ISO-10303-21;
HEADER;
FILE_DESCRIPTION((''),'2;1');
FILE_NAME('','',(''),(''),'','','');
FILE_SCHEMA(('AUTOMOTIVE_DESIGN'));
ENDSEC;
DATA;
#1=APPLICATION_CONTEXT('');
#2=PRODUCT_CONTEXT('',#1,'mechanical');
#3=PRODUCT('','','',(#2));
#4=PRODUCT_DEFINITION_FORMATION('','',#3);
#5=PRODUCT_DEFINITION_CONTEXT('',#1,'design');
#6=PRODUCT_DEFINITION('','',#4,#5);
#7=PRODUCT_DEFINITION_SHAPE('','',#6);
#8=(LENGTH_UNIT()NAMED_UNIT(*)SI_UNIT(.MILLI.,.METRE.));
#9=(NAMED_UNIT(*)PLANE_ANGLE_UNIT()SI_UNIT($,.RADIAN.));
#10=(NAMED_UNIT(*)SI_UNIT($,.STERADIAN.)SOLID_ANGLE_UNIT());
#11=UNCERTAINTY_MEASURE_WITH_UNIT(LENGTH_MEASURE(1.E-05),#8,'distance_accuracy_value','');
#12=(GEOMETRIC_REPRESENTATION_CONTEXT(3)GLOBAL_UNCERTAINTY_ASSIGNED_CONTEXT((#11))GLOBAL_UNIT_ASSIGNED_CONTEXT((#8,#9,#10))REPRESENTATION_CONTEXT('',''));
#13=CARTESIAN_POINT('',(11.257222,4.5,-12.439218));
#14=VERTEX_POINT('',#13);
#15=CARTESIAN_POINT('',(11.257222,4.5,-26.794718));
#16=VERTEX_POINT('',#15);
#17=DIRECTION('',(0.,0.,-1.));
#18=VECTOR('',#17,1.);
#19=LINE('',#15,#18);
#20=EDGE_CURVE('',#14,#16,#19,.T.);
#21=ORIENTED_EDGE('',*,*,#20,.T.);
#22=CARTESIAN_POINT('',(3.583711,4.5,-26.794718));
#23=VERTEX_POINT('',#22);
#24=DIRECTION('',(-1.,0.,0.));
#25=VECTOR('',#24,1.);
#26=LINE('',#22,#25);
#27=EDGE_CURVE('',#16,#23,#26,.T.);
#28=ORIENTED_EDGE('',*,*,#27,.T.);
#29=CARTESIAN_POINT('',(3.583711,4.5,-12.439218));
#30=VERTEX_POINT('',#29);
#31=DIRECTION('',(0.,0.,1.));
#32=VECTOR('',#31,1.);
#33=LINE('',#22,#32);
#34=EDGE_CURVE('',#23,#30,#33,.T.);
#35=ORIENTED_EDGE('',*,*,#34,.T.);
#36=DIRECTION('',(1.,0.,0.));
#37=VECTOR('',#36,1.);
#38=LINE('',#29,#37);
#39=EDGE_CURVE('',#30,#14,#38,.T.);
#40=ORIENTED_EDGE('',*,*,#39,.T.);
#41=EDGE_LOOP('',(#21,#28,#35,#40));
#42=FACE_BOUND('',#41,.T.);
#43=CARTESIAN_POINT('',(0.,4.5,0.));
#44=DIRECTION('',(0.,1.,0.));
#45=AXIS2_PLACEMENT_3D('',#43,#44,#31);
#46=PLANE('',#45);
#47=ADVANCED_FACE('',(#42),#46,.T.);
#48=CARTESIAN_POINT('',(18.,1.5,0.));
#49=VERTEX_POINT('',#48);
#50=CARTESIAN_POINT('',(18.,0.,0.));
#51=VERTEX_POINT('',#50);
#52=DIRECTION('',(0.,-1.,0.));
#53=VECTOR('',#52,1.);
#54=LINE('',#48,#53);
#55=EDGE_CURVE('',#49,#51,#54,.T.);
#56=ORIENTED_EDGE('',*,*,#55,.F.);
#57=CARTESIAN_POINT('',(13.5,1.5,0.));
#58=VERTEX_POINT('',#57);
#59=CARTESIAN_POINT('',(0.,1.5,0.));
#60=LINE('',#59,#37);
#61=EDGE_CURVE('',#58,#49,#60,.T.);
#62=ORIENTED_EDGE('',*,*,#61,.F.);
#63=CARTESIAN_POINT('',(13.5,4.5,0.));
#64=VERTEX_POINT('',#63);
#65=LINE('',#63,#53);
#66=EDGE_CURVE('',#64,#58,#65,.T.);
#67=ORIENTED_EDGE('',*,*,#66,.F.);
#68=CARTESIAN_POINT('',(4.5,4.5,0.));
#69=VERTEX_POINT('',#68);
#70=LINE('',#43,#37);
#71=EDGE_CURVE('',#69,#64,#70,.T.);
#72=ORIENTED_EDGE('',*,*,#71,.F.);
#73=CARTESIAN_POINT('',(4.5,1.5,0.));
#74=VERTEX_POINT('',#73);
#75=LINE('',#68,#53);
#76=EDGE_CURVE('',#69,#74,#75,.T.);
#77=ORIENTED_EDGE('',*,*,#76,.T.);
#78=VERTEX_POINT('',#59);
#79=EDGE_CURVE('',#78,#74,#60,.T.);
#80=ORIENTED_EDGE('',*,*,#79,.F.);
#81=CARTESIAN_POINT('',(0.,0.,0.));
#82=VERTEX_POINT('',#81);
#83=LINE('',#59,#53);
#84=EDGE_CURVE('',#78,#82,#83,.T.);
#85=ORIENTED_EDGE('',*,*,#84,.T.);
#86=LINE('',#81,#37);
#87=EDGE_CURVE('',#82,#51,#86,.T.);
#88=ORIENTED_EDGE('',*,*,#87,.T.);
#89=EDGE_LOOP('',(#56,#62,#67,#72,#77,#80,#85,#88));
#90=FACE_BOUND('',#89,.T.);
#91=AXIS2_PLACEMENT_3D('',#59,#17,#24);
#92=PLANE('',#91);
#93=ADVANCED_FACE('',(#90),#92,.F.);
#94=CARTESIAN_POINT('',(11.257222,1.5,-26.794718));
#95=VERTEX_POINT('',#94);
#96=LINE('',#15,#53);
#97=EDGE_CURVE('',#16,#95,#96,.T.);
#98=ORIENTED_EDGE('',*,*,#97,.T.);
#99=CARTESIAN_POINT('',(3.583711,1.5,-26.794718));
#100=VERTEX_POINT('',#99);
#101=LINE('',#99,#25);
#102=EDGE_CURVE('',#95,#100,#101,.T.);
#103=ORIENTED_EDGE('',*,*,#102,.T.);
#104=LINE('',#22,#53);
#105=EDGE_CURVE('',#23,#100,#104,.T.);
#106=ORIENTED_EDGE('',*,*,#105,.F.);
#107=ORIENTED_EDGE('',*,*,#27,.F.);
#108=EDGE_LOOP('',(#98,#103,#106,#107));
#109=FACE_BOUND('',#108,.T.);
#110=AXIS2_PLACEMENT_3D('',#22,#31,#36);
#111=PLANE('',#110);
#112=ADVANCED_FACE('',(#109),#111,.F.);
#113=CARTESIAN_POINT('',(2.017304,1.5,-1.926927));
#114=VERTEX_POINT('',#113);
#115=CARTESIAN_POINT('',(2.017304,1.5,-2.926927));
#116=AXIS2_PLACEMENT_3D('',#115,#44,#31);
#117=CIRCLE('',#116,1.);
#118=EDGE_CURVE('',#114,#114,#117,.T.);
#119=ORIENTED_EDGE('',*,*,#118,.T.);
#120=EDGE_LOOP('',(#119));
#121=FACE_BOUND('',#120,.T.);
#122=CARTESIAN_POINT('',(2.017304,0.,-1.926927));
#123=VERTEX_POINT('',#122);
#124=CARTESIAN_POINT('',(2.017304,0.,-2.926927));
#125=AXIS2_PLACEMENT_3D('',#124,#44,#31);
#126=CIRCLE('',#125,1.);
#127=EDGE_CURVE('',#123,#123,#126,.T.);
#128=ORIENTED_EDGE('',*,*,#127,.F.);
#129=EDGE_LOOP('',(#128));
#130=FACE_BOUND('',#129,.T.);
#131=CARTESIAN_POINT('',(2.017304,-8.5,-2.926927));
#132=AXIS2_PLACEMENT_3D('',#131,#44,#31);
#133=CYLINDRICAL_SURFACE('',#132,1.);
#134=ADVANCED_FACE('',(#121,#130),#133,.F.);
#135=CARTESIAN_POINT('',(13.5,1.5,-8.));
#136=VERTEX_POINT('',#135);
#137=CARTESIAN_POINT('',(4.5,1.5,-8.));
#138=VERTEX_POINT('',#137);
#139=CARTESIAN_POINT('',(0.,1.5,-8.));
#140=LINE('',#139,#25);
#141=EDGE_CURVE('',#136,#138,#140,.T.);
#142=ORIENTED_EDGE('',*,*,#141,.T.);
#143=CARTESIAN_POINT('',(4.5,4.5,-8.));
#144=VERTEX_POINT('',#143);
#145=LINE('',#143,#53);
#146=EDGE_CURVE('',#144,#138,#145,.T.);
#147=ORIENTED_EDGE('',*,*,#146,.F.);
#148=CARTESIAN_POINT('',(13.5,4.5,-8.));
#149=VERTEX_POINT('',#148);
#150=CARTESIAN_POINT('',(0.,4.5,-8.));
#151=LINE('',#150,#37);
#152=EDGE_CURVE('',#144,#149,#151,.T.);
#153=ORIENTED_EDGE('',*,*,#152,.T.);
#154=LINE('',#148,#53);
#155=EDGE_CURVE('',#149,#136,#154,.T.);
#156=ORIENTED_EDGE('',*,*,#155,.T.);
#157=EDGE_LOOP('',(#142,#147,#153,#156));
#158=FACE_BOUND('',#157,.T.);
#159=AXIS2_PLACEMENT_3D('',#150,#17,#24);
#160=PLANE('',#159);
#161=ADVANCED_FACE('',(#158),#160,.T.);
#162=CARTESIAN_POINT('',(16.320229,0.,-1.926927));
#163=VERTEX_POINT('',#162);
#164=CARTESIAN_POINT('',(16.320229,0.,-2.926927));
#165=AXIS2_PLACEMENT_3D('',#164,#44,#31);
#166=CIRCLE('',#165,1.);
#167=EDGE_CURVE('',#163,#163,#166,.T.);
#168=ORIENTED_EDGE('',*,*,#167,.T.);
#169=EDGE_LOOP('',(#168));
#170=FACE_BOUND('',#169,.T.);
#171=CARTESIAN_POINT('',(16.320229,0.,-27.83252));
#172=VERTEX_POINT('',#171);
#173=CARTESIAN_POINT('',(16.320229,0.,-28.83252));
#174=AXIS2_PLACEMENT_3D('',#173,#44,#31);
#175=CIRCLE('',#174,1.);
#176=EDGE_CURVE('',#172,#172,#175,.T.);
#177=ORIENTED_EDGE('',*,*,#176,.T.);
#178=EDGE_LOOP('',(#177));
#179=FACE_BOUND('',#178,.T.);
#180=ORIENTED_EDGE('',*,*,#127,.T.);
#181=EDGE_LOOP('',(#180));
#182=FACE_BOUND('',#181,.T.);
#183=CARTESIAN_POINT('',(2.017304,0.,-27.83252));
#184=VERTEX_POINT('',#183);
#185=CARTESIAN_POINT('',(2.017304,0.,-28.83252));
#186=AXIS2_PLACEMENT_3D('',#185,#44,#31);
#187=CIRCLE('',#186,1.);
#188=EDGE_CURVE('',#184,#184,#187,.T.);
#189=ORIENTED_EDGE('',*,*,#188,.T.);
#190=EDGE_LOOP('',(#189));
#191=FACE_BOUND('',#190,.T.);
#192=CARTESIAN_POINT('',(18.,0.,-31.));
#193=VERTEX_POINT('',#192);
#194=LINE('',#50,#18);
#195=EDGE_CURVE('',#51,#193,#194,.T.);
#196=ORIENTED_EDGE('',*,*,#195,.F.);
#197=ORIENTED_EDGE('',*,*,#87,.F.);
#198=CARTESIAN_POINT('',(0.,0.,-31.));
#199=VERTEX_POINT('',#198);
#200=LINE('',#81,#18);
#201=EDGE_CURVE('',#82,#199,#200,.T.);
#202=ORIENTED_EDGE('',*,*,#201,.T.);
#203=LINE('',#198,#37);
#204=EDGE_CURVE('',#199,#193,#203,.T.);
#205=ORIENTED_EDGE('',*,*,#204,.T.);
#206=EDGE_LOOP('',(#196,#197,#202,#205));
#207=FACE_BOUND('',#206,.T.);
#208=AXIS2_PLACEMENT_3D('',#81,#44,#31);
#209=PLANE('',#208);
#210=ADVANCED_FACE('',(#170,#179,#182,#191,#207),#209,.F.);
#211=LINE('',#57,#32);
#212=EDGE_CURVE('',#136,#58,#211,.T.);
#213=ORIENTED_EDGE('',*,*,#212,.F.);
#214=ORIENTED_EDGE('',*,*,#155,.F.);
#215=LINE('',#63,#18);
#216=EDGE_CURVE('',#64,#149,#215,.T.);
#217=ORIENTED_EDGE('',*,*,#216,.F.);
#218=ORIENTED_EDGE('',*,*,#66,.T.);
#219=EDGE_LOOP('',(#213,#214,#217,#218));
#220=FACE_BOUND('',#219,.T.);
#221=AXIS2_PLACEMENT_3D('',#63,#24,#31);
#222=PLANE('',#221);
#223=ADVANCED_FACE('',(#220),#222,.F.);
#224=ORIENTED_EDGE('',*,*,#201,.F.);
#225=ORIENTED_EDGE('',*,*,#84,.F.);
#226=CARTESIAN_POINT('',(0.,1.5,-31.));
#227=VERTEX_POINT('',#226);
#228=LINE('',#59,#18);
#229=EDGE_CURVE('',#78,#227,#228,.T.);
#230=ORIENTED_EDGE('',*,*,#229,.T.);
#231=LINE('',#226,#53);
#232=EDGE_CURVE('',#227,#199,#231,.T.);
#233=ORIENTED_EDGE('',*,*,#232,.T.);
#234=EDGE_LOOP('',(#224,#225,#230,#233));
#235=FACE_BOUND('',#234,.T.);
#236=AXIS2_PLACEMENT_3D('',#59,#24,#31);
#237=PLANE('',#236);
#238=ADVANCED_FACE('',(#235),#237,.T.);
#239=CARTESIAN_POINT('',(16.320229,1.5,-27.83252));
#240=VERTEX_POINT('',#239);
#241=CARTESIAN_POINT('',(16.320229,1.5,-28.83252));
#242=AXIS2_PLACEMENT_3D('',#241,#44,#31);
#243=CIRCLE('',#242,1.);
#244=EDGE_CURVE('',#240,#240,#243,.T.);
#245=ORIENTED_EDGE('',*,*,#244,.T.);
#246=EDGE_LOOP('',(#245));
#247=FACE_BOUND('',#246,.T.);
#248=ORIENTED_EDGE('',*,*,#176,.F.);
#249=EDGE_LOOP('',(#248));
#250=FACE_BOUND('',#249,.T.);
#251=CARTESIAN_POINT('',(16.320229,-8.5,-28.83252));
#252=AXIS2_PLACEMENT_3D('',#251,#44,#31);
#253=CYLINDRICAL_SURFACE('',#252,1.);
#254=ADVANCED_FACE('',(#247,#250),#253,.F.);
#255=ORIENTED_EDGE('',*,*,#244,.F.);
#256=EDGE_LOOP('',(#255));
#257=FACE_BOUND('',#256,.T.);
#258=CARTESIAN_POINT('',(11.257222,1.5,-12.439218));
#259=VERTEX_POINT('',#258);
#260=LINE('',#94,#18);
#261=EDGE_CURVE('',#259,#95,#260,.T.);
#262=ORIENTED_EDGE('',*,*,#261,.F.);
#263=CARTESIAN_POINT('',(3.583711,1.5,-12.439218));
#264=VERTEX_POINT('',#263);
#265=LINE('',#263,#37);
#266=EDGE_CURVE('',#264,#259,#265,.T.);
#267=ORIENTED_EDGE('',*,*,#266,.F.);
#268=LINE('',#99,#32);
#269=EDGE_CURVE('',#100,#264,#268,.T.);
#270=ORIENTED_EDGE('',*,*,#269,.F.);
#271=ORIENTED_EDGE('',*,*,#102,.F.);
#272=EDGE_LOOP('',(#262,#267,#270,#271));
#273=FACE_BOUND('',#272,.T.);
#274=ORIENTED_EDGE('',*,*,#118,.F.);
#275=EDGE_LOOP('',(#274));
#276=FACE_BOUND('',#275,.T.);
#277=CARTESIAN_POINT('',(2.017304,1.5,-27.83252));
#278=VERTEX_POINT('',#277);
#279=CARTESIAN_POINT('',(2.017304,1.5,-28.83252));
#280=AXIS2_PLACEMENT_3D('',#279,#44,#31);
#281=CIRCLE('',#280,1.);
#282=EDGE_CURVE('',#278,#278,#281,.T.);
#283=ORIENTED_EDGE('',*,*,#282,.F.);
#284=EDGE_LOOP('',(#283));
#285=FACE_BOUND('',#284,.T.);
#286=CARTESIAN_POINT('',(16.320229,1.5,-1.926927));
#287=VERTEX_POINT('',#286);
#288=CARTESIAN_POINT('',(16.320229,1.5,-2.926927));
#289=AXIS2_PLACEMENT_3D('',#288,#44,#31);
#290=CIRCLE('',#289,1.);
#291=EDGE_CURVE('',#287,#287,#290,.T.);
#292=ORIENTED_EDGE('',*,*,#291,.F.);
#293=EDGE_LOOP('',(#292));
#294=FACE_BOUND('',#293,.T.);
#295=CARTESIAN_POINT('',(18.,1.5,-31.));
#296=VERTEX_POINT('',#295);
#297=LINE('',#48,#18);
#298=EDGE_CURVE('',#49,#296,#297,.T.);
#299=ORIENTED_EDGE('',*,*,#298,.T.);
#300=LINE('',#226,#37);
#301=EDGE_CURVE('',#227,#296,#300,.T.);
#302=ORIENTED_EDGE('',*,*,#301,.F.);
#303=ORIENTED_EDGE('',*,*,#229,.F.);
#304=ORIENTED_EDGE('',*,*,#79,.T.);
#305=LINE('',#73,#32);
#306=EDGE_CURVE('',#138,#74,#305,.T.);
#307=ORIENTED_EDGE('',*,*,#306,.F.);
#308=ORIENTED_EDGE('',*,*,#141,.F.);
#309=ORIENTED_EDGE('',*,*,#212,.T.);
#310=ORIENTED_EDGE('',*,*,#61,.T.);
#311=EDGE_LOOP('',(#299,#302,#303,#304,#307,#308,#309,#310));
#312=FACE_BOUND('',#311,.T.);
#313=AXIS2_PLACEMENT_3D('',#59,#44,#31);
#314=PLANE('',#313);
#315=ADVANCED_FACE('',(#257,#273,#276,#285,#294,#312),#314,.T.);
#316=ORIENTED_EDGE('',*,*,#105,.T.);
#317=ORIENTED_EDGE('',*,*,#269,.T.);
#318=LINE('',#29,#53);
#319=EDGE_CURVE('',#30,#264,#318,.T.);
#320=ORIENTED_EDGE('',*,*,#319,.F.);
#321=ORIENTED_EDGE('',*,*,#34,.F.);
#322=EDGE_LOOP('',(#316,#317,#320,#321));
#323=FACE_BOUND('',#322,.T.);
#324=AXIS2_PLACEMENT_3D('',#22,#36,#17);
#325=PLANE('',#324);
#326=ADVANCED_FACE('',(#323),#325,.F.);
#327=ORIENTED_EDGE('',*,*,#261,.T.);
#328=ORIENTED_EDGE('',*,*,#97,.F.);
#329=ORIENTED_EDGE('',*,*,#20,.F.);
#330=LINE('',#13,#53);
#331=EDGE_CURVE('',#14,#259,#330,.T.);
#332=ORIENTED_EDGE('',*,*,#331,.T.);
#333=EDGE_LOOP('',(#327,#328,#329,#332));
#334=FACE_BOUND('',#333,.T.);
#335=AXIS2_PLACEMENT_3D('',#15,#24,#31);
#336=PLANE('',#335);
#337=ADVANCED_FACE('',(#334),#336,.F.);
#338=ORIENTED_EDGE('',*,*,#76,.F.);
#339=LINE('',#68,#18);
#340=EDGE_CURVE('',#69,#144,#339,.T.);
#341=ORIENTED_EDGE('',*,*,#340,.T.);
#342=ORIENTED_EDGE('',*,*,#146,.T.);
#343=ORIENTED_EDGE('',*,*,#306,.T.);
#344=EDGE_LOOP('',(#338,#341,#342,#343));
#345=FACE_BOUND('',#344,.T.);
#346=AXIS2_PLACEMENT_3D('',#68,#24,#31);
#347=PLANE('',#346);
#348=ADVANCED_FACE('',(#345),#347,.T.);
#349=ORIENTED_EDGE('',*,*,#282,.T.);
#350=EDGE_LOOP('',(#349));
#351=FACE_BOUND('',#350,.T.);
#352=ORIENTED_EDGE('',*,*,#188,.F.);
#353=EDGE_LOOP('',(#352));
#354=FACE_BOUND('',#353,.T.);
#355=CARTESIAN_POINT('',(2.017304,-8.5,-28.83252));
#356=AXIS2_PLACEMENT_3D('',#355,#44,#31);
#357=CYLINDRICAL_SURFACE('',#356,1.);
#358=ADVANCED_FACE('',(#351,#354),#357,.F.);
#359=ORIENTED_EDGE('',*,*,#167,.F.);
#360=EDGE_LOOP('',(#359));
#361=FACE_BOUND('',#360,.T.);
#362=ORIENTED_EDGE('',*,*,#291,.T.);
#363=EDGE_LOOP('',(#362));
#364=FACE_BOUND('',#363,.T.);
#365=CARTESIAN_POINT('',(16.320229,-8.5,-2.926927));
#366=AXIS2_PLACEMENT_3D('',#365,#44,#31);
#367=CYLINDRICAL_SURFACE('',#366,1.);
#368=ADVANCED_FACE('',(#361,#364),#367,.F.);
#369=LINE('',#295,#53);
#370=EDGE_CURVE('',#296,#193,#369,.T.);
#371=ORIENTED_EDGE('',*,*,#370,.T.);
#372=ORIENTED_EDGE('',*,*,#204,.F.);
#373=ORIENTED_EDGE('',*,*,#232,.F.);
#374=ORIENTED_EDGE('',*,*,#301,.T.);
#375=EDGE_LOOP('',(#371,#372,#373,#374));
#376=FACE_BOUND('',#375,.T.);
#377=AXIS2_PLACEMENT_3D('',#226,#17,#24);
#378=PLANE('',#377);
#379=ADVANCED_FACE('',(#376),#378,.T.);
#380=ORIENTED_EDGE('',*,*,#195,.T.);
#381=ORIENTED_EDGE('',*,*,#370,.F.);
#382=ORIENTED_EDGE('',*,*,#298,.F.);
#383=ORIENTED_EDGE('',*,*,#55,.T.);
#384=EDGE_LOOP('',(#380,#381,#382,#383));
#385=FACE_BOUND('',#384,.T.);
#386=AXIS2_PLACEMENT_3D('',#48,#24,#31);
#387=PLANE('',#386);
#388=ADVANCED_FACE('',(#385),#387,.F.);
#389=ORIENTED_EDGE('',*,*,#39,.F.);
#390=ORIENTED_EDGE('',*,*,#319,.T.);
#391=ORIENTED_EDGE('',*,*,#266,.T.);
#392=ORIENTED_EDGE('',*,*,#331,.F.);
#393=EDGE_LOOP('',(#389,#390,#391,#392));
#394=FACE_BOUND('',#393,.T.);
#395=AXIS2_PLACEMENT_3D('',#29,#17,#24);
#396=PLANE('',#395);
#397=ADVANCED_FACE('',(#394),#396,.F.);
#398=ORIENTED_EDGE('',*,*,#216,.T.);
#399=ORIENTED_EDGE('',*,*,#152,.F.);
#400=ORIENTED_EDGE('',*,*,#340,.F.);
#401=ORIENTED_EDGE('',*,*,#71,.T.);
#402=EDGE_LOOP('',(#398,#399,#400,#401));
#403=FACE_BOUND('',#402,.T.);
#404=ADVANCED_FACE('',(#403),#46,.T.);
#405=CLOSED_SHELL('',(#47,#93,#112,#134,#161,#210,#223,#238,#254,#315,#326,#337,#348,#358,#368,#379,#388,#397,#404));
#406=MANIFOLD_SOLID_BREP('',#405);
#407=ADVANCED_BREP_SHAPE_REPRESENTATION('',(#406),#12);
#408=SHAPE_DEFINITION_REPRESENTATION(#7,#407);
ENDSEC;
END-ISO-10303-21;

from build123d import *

# Parameters (mm, degrees)
SKETCH1_W           = 9
SKETCH1_H           = 8
BOSS_EXTRUDE1_DEPTH = 1.5
SKETCH1_3_W         = 9
SKETCH1_3_H         = 8
BOSS_EXTRUDE2_DEPTH = 4.5
SKETCH2_W           = 7.673510846
SKETCH2_H           = 14.355500628
BOSS_EXTRUDE3_DEPTH = 3
CUT_EXTRUDE1_DEPTH  = 10


with BuildPart() as part:
    # Sketch1 → Boss-Extrude1 (new body)
    with BuildSketch(Plane(origin=(0, 0, 0), x_dir=(1, 0, 0), z_dir=(0, 1, 0))):
        Polygon((0, 31), (0, 0), (4.5, 0), (4.5, 8), (13.5, 8), (13.5, 0), (18, 0), (18, 31), align=None)
        with Locations((9, 4)):
            Rectangle(SKETCH1_W, SKETCH1_H)
    extrude(amount=BOSS_EXTRUDE1_DEPTH)

    # Sketch1<3> → Boss-Extrude2 (add)
    with BuildSketch(Plane(origin=(0, 0, 0), x_dir=(1, 0, 0), z_dir=(0, 1, 0))):
        with Locations((9, 4)):
            Rectangle(SKETCH1_3_W, SKETCH1_3_H)
    extrude(amount=BOSS_EXTRUDE2_DEPTH)

    # Sketch2 → Boss-Extrude3 (add)
    with BuildSketch(Plane(origin=(0, 1.5, 0), x_dir=(1, 0, 0), z_dir=(0, 1, 0))):
        with Locations((7.420466752, 19.616967898)):
            Rectangle(SKETCH2_W, SKETCH2_H)
    extrude(amount=BOSS_EXTRUDE3_DEPTH)

    # Sketch3 → Cut-Extrude1 (cut)
    with BuildSketch(Plane(origin=(0, 1.5, 0), x_dir=(1, 0, 0), z_dir=(0, 1, 0))):
        with BuildLine():
            ThreePointArc((3.017303644, 2.926927408), (2.724410426, 3.634034189), (2.017303644, 3.926927408))
            Line((2.017303644, 3.926927408), (2.017303644, 2.926927408))
            Line((2.017303644, 2.926927408), (3.017303644, 2.926927408))
        make_face()
        with BuildLine():
            Line((2.017303644, 2.926927408), (2.017303644, 3.926927408))
            ThreePointArc((2.017303644, 3.926927408), (1.310196863, 2.219820627), (3.017303644, 2.926927408))
            Line((3.017303644, 2.926927408), (2.017303644, 2.926927408))
        make_face()
        with BuildLine():
            ThreePointArc((17.320228506, 2.926927408), (17.027335287, 3.634034189), (16.320228506, 3.926927408))
            Line((16.320228506, 3.926927408), (16.320228506, 2.926927408))
            Line((16.320228506, 2.926927408), (15.320228506, 2.926927408))
            ThreePointArc((15.320228506, 2.926927408), (16.320228506, 1.926927408), (17.320228506, 2.926927408))
        make_face()
        with BuildLine():
            Line((16.320228506, 2.926927408), (16.320228506, 3.926927408))
            ThreePointArc((16.320228506, 3.926927408), (15.613121724, 3.634034189), (15.320228506, 2.926927408))
            Line((15.320228506, 2.926927408), (16.320228506, 2.926927408))
        make_face()
        with BuildLine():
            Line((2.017303644, 27.83251993), (2.017303644, 28.83251993))
            Line((2.017303644, 28.83251993), (3.017303644, 28.83251993))
            ThreePointArc((3.017303644, 28.83251993), (1.310196863, 29.539626711), (2.017303644, 27.83251993))
        make_face()
        with BuildLine():
            Line((3.017303644, 28.83251993), (2.017303644, 28.83251993))
            Line((2.017303644, 28.83251993), (2.017303644, 27.83251993))
            ThreePointArc((2.017303644, 27.83251993), (2.724410426, 28.125413148), (3.017303644, 28.83251993))
        make_face()
        with BuildLine():
            ThreePointArc((17.320228506, 28.83251993), (16.320228506, 29.83251993), (15.320228506, 28.83251993))
            Line((15.320228506, 28.83251993), (16.320228506, 28.83251993))
            Line((16.320228506, 28.83251993), (16.320228506, 27.83251993))
            ThreePointArc((16.320228506, 27.83251993), (17.027335287, 28.125413148), (17.320228506, 28.83251993))
        make_face()
        with BuildLine():
            Line((16.320228506, 28.83251993), (15.320228506, 28.83251993))
            ThreePointArc((15.320228506, 28.83251993), (15.613121724, 28.125413148), (16.320228506, 27.83251993))
            Line((16.320228506, 27.83251993), (16.320228506, 28.83251993))
        make_face()
    extrude(amount=-CUT_EXTRUDE1_DEPTH, mode=Mode.SUBTRACT)


solid = part.part
